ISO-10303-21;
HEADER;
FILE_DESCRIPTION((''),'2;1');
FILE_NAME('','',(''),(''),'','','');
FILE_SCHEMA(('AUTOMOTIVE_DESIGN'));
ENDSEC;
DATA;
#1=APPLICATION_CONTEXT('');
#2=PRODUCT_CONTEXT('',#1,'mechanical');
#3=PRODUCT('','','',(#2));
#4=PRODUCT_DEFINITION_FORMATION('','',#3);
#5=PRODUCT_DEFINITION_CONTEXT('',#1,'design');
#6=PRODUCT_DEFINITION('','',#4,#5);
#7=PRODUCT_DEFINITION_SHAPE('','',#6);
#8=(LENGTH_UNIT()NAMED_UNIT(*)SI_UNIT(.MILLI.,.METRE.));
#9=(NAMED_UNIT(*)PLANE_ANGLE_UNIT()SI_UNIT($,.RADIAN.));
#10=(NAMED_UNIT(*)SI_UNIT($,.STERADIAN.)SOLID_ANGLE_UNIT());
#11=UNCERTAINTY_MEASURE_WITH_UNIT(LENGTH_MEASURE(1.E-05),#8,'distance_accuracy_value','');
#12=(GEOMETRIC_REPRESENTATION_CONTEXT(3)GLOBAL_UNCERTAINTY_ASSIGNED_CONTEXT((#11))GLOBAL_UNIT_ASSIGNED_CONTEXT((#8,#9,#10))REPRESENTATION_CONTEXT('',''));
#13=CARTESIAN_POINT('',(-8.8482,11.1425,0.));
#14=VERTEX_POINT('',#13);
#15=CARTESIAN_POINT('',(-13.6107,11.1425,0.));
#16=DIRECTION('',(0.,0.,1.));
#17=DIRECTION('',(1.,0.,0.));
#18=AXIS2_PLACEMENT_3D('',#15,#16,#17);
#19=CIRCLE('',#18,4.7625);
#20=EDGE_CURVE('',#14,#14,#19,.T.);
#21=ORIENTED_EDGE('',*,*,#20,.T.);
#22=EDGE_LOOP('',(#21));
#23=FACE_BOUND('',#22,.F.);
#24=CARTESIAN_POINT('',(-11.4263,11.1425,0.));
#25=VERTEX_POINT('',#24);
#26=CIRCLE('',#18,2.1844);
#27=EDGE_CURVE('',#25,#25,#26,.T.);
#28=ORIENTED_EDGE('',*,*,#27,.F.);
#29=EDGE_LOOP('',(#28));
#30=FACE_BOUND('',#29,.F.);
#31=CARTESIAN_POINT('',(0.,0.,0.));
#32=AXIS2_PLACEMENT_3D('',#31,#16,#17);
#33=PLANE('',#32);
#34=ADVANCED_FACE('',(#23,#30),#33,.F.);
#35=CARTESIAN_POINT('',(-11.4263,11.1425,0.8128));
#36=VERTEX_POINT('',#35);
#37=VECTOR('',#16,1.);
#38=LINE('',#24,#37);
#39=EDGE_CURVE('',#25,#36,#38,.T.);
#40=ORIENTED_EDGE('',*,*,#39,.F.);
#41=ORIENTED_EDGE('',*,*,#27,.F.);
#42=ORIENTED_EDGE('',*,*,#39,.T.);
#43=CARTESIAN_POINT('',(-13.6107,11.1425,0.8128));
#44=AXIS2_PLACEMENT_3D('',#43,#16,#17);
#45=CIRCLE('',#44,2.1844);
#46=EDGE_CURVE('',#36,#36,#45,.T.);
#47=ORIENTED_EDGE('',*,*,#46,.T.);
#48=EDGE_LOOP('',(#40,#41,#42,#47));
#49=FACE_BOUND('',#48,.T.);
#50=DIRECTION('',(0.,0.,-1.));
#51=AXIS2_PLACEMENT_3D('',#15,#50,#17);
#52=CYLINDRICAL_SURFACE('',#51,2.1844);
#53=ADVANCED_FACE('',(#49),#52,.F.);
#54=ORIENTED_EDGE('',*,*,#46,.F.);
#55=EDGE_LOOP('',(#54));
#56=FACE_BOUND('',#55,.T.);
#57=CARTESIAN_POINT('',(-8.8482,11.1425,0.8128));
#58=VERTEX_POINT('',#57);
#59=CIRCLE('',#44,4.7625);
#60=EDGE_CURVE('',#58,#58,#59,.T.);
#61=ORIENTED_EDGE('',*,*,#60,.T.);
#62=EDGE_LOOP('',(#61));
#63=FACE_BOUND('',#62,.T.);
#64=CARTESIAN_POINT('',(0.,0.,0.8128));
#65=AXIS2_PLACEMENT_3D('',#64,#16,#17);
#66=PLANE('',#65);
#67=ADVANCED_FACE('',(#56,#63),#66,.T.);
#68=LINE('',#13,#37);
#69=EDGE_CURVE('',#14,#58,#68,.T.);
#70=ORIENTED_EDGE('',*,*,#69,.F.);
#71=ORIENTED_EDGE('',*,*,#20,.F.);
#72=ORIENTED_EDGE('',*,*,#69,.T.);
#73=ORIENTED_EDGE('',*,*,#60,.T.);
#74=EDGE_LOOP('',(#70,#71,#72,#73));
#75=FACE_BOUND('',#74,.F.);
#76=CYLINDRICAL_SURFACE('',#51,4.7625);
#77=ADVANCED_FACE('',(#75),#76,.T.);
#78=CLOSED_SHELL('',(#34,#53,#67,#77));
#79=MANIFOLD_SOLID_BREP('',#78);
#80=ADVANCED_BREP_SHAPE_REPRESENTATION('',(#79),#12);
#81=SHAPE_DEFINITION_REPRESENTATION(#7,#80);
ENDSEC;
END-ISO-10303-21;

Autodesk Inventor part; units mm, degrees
ref_plane "YZ Plane" through (0, 0, 0) normal (1, 0, 0) x (0, 1, 0)
ref_plane "XZ Plane" through (0, 0, 0) normal (0, 1, 0) x (-1, 0, 0)
ref_plane "XY Plane" through (0, 0, 0) normal (0, 0, 1) x (1, 0, 0)
sketch "Sketch1" plane through (0, 0, 0) normal (0, 0, 1) x (1, 0, 0)
  circle A0 centre (-13.6107, 11.1425) radius 4.7625
  circle A1 centre (-13.6107, 11.1425) radius 2.1844
  dimension "d0" = 9.525
  dimension "d1" = 4.3688
extrude "Extrusion1" add sketch "Sketch1" along normal blind 0.8128
properties part number "275-1024" material "Steel"
